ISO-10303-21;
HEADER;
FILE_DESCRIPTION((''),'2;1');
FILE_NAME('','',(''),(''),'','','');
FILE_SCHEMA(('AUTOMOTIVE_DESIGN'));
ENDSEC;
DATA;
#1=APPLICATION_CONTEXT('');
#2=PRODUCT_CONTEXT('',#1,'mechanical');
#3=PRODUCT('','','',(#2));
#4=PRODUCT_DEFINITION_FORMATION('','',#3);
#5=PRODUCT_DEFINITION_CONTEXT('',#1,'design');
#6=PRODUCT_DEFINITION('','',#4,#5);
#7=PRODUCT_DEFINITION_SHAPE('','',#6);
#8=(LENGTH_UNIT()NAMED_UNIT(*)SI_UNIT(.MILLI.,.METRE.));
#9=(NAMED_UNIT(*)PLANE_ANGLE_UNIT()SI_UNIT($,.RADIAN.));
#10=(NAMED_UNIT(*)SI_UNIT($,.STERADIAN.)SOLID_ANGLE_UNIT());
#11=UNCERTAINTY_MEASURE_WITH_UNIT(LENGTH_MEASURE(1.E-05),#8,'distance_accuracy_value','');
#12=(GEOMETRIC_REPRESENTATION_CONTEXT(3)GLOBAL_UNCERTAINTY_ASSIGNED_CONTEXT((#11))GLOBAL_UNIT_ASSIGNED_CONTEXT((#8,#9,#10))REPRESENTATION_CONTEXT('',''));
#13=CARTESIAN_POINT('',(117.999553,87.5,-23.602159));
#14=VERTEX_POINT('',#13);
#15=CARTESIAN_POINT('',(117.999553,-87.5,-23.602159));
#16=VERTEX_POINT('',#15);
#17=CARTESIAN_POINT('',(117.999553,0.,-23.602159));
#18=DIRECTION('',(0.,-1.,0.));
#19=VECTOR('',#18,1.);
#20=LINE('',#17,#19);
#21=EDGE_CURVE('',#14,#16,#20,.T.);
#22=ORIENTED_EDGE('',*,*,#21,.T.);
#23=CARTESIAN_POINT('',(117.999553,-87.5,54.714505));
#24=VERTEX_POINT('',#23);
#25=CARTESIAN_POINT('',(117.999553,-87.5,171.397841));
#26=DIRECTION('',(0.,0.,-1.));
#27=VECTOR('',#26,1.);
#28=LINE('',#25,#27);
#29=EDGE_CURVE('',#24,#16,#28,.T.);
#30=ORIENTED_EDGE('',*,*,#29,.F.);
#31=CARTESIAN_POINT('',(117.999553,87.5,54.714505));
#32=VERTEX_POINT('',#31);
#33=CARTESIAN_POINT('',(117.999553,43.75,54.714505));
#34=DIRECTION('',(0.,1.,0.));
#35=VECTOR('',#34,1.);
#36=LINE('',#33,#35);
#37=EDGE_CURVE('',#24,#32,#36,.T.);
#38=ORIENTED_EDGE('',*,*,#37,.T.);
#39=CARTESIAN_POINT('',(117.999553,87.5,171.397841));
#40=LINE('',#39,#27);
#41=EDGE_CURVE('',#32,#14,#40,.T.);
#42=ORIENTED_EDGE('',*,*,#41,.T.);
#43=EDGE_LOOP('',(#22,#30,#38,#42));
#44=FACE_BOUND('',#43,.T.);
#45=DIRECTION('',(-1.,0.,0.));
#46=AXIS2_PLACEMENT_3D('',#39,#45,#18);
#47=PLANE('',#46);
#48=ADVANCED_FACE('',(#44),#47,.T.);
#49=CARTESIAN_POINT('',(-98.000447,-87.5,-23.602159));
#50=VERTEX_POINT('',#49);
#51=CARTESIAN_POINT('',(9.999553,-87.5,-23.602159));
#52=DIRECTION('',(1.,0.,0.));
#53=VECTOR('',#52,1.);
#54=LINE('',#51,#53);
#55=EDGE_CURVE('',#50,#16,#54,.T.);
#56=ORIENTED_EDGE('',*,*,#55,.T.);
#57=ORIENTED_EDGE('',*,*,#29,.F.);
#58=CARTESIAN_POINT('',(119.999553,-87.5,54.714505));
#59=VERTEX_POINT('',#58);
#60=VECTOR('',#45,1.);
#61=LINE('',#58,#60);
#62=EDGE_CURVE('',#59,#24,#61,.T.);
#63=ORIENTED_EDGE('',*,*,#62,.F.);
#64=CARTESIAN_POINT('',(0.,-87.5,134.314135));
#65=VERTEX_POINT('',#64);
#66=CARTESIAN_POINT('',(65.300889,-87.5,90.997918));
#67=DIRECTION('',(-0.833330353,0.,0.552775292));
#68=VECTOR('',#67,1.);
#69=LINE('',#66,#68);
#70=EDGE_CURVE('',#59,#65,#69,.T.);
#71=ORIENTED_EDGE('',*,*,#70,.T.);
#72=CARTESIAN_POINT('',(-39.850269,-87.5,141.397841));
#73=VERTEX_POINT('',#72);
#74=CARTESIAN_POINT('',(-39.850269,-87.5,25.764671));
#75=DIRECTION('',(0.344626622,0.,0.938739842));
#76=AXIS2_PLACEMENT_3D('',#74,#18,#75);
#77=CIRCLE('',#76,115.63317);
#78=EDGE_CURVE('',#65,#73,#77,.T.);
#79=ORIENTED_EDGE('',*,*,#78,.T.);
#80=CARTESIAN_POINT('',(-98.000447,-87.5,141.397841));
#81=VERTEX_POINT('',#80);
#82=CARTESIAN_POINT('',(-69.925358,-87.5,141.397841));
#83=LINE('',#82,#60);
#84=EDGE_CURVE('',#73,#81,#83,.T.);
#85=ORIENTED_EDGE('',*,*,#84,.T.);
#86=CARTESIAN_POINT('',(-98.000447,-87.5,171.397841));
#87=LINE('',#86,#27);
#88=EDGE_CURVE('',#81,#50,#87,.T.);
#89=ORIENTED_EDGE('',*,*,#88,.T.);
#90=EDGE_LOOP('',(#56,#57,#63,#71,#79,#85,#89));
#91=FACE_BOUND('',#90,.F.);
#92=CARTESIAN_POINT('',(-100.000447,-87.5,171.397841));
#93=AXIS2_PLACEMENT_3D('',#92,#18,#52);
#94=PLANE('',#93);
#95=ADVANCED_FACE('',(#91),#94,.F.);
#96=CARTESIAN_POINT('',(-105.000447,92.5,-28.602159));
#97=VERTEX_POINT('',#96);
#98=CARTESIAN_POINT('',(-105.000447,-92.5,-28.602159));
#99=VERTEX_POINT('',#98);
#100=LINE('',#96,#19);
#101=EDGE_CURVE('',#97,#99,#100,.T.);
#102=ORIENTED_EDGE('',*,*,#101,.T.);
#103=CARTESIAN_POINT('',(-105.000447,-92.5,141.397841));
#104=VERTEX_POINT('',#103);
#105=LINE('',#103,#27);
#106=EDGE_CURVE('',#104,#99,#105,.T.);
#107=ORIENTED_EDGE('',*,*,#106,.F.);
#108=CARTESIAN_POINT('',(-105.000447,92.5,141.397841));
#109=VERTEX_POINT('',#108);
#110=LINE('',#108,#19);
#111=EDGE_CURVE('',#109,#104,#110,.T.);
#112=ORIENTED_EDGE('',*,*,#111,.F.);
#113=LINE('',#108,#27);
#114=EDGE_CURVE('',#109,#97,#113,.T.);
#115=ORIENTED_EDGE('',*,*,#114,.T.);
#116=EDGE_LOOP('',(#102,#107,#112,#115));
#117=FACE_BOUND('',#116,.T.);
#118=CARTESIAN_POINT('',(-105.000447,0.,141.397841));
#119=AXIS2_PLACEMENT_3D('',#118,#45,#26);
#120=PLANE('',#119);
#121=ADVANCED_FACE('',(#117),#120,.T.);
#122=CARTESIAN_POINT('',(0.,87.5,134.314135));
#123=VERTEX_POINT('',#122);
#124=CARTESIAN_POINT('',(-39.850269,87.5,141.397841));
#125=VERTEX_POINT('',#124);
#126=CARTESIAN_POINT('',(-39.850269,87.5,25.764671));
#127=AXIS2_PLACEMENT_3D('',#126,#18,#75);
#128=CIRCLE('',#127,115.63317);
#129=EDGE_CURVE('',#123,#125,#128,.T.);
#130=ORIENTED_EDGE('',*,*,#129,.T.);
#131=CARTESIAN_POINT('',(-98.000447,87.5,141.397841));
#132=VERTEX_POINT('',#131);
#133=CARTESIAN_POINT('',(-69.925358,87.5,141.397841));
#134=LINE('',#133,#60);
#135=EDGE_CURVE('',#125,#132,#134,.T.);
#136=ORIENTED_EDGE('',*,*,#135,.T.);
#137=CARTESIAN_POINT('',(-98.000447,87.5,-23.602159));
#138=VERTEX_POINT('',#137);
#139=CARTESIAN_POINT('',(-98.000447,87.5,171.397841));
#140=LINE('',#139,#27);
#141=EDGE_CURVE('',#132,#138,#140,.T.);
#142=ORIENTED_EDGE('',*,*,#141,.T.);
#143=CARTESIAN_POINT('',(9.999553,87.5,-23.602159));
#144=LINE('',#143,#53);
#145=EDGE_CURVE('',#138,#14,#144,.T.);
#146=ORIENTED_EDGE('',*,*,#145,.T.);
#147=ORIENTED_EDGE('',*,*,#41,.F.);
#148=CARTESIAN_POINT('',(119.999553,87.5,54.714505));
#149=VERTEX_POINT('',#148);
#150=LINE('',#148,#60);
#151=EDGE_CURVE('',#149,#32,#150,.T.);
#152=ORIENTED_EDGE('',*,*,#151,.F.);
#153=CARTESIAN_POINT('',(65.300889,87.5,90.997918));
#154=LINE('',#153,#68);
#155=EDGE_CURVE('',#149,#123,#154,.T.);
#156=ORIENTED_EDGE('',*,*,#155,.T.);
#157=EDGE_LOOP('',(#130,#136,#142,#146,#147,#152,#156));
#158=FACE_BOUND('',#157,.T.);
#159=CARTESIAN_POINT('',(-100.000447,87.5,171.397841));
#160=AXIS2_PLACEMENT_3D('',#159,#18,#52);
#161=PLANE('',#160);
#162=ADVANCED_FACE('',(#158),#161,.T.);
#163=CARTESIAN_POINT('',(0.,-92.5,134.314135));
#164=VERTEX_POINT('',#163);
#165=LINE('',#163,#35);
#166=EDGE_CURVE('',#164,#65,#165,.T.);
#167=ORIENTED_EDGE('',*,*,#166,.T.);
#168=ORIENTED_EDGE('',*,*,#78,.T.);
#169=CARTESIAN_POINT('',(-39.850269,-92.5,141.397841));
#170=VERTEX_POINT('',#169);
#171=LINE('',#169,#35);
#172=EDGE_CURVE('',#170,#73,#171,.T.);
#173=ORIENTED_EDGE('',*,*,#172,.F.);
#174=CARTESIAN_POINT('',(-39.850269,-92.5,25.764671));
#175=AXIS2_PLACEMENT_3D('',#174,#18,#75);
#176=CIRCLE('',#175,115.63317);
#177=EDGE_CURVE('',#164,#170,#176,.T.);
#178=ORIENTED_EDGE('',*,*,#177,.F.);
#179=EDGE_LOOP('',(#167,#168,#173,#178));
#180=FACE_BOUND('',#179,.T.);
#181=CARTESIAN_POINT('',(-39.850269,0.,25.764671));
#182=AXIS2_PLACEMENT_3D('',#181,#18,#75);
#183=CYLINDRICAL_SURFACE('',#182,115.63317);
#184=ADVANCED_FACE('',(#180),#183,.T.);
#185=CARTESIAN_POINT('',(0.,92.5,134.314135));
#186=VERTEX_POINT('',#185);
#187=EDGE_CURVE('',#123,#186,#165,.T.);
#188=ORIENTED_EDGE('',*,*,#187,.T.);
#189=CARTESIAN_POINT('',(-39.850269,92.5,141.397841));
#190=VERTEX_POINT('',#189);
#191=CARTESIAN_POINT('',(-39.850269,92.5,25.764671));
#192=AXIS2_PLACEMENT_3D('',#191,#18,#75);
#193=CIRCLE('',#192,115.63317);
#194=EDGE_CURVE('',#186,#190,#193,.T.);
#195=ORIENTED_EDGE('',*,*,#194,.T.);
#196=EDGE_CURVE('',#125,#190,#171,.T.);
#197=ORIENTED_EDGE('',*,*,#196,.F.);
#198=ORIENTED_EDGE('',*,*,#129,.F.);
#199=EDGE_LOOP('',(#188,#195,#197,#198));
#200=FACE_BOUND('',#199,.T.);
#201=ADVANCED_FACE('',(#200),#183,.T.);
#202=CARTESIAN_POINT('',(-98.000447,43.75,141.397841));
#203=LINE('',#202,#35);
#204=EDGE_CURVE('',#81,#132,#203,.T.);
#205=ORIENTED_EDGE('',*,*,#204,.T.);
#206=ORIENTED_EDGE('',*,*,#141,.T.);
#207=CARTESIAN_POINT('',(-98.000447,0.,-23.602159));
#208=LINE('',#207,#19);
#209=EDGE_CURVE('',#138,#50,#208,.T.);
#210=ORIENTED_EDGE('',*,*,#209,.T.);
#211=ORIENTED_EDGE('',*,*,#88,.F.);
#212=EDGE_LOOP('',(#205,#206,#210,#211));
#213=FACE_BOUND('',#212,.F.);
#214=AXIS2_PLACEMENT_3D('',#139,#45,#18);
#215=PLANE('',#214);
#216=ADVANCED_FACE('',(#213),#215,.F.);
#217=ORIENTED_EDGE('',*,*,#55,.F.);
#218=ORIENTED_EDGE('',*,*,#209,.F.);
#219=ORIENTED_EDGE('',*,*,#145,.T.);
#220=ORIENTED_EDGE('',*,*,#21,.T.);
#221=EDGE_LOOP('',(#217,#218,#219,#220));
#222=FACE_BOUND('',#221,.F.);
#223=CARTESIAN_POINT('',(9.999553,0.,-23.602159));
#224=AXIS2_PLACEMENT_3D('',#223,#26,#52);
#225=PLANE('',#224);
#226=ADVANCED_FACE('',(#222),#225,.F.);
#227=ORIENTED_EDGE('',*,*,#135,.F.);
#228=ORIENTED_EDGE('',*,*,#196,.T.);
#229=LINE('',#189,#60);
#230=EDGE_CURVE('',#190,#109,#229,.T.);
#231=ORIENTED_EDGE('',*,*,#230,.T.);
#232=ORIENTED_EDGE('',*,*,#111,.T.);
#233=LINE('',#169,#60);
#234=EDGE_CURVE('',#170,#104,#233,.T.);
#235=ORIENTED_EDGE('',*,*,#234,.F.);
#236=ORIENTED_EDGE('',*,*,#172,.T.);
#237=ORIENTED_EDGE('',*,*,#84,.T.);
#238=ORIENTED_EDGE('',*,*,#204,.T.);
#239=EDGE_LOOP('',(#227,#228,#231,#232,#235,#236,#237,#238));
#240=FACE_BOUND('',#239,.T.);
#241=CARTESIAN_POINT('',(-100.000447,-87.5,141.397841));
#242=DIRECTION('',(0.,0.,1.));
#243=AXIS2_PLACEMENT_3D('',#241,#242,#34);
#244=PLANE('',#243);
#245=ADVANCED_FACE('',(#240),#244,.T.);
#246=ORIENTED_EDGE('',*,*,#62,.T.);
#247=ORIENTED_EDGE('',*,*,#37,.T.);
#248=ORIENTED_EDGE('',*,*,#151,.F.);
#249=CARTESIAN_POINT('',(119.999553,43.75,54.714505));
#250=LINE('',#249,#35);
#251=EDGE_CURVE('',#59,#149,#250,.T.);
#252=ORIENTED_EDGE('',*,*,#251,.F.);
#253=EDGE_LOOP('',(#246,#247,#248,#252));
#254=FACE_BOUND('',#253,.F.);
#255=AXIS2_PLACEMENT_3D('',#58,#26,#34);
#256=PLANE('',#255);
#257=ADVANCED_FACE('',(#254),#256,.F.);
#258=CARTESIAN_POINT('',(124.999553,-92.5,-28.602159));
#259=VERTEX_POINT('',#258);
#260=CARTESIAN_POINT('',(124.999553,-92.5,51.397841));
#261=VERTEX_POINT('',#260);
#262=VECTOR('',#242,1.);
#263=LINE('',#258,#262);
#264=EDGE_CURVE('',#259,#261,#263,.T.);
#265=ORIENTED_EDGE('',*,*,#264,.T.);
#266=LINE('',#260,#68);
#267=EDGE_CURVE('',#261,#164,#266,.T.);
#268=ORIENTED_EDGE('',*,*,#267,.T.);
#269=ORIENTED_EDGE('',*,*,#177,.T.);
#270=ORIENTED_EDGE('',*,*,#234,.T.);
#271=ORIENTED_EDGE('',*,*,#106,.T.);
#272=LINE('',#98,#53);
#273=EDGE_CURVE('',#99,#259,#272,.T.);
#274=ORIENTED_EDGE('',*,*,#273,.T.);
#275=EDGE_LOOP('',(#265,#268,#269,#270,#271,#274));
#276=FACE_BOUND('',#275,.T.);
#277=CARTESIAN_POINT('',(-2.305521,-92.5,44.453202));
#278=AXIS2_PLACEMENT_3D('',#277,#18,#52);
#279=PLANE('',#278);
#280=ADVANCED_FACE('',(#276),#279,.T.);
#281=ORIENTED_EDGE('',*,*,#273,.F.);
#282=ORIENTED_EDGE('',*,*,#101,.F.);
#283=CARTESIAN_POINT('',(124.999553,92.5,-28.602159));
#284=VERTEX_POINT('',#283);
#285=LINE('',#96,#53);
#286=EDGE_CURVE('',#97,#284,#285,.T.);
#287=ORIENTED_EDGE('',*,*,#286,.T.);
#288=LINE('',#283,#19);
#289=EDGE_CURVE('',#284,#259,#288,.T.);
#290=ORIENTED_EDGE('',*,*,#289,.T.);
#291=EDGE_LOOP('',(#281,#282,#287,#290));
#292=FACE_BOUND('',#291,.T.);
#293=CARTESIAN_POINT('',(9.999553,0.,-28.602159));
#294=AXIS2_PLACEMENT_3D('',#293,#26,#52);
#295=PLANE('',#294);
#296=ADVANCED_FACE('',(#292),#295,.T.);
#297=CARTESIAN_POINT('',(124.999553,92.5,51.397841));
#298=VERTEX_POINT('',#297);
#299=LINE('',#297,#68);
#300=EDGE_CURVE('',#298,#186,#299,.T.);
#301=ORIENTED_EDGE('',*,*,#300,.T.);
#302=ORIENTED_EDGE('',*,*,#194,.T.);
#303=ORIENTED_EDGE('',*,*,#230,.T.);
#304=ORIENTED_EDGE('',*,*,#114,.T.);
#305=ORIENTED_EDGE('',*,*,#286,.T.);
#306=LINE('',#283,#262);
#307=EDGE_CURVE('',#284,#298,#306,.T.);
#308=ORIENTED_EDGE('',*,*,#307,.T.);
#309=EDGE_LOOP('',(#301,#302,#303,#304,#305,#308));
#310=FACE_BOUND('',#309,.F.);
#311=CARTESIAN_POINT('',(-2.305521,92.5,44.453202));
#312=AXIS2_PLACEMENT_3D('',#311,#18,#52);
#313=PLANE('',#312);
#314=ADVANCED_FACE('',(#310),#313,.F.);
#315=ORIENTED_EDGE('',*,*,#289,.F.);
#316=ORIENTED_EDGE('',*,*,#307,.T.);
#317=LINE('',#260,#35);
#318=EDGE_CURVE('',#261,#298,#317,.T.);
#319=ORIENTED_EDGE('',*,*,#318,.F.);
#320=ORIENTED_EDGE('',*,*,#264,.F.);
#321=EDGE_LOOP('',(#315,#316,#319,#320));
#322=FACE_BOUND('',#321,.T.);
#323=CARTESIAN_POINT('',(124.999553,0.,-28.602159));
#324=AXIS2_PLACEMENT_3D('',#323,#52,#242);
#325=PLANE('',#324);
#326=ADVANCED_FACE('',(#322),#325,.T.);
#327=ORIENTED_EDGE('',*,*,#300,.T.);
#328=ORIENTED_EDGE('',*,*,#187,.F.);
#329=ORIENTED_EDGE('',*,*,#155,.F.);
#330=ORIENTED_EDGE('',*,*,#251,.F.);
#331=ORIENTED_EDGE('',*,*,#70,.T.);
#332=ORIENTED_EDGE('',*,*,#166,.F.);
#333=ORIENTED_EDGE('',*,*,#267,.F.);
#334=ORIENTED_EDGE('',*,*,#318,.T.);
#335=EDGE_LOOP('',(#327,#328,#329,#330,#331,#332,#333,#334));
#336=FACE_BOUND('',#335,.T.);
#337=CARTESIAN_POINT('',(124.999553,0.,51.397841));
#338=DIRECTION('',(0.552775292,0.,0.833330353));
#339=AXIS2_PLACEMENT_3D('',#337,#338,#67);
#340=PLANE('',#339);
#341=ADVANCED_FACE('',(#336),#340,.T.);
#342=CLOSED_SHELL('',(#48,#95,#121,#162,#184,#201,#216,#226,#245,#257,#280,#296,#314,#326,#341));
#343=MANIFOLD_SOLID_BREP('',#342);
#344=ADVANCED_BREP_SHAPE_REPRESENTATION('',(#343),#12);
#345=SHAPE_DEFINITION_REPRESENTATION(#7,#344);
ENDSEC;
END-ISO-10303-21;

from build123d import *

# Parameters (mm, degrees)
F1_DEPTH = 92.5
F2_W     = 220
F2_H     = 175
F3_DEPTH = 200
F4_DEPTH = 195
F5_DEPTH = 2
F6_DEPTH = 2


with BuildPart() as f1:
    # F0 (on Front) → F1 (new body, symmetric)
    with BuildSketch(Plane.XZ):
        with BuildLine():
            Line((-39.8502688743, 141.3978409826), (-105.0004470674, 141.3978409826))
            Line((-105.0004470674, 141.3978409826), (-105.0004470674, -28.6021590174))
            Line((-105.0004470674, -28.6021590174), (124.9995529326, -28.6021590174))
            Line((124.9995529326, -28.6021590174), (124.9995529326, 51.3978409826))
            Line((124.9995529326, 51.3978409826), (0, 134.314134717))
            ThreePointArc((0, 134.314134717), (-19.6127861763, 139.6131417621), (-39.8502688743, 141.3978409826))
        make_face()
    extrude(amount=F1_DEPTH, both=True)

    # F2 (on face) → F3 (join)
    with BuildSketch(Plane(origin=(0, 0, -28.6021590174), x_dir=(1, 0, 0), z_dir=(0, 0, -1))):
        with Locations((9.9995529326, 0)):
            Rectangle(F2_W, F2_H)
    extrude(amount=-F3_DEPTH)

    # F4 (cut): a face of the model
    f4_faces = [f1.faces().sort_by_distance(p)[0] for p in [
        (9.9995529326, 0, 171.3978409826),
    ]]
    extrude(f4_faces, amount=-F4_DEPTH, mode=Mode.SUBTRACT)

    # F5 (add): a face of the model
    f5_faces = [f1.faces().sort_by_distance(p)[0] for p in [
        (-100.0004470674, 0, 58.8978409826),
    ]]
    extrude(f5_faces, amount=F5_DEPTH)

    # F6 (add): a face of the model
    f6_faces = [f1.faces().sort_by_distance(p)[0] for p in [
        (119.9995529326, 0, 15.5561727884),
    ]]
    extrude(f6_faces, amount=F6_DEPTH)


solid = f1.part
